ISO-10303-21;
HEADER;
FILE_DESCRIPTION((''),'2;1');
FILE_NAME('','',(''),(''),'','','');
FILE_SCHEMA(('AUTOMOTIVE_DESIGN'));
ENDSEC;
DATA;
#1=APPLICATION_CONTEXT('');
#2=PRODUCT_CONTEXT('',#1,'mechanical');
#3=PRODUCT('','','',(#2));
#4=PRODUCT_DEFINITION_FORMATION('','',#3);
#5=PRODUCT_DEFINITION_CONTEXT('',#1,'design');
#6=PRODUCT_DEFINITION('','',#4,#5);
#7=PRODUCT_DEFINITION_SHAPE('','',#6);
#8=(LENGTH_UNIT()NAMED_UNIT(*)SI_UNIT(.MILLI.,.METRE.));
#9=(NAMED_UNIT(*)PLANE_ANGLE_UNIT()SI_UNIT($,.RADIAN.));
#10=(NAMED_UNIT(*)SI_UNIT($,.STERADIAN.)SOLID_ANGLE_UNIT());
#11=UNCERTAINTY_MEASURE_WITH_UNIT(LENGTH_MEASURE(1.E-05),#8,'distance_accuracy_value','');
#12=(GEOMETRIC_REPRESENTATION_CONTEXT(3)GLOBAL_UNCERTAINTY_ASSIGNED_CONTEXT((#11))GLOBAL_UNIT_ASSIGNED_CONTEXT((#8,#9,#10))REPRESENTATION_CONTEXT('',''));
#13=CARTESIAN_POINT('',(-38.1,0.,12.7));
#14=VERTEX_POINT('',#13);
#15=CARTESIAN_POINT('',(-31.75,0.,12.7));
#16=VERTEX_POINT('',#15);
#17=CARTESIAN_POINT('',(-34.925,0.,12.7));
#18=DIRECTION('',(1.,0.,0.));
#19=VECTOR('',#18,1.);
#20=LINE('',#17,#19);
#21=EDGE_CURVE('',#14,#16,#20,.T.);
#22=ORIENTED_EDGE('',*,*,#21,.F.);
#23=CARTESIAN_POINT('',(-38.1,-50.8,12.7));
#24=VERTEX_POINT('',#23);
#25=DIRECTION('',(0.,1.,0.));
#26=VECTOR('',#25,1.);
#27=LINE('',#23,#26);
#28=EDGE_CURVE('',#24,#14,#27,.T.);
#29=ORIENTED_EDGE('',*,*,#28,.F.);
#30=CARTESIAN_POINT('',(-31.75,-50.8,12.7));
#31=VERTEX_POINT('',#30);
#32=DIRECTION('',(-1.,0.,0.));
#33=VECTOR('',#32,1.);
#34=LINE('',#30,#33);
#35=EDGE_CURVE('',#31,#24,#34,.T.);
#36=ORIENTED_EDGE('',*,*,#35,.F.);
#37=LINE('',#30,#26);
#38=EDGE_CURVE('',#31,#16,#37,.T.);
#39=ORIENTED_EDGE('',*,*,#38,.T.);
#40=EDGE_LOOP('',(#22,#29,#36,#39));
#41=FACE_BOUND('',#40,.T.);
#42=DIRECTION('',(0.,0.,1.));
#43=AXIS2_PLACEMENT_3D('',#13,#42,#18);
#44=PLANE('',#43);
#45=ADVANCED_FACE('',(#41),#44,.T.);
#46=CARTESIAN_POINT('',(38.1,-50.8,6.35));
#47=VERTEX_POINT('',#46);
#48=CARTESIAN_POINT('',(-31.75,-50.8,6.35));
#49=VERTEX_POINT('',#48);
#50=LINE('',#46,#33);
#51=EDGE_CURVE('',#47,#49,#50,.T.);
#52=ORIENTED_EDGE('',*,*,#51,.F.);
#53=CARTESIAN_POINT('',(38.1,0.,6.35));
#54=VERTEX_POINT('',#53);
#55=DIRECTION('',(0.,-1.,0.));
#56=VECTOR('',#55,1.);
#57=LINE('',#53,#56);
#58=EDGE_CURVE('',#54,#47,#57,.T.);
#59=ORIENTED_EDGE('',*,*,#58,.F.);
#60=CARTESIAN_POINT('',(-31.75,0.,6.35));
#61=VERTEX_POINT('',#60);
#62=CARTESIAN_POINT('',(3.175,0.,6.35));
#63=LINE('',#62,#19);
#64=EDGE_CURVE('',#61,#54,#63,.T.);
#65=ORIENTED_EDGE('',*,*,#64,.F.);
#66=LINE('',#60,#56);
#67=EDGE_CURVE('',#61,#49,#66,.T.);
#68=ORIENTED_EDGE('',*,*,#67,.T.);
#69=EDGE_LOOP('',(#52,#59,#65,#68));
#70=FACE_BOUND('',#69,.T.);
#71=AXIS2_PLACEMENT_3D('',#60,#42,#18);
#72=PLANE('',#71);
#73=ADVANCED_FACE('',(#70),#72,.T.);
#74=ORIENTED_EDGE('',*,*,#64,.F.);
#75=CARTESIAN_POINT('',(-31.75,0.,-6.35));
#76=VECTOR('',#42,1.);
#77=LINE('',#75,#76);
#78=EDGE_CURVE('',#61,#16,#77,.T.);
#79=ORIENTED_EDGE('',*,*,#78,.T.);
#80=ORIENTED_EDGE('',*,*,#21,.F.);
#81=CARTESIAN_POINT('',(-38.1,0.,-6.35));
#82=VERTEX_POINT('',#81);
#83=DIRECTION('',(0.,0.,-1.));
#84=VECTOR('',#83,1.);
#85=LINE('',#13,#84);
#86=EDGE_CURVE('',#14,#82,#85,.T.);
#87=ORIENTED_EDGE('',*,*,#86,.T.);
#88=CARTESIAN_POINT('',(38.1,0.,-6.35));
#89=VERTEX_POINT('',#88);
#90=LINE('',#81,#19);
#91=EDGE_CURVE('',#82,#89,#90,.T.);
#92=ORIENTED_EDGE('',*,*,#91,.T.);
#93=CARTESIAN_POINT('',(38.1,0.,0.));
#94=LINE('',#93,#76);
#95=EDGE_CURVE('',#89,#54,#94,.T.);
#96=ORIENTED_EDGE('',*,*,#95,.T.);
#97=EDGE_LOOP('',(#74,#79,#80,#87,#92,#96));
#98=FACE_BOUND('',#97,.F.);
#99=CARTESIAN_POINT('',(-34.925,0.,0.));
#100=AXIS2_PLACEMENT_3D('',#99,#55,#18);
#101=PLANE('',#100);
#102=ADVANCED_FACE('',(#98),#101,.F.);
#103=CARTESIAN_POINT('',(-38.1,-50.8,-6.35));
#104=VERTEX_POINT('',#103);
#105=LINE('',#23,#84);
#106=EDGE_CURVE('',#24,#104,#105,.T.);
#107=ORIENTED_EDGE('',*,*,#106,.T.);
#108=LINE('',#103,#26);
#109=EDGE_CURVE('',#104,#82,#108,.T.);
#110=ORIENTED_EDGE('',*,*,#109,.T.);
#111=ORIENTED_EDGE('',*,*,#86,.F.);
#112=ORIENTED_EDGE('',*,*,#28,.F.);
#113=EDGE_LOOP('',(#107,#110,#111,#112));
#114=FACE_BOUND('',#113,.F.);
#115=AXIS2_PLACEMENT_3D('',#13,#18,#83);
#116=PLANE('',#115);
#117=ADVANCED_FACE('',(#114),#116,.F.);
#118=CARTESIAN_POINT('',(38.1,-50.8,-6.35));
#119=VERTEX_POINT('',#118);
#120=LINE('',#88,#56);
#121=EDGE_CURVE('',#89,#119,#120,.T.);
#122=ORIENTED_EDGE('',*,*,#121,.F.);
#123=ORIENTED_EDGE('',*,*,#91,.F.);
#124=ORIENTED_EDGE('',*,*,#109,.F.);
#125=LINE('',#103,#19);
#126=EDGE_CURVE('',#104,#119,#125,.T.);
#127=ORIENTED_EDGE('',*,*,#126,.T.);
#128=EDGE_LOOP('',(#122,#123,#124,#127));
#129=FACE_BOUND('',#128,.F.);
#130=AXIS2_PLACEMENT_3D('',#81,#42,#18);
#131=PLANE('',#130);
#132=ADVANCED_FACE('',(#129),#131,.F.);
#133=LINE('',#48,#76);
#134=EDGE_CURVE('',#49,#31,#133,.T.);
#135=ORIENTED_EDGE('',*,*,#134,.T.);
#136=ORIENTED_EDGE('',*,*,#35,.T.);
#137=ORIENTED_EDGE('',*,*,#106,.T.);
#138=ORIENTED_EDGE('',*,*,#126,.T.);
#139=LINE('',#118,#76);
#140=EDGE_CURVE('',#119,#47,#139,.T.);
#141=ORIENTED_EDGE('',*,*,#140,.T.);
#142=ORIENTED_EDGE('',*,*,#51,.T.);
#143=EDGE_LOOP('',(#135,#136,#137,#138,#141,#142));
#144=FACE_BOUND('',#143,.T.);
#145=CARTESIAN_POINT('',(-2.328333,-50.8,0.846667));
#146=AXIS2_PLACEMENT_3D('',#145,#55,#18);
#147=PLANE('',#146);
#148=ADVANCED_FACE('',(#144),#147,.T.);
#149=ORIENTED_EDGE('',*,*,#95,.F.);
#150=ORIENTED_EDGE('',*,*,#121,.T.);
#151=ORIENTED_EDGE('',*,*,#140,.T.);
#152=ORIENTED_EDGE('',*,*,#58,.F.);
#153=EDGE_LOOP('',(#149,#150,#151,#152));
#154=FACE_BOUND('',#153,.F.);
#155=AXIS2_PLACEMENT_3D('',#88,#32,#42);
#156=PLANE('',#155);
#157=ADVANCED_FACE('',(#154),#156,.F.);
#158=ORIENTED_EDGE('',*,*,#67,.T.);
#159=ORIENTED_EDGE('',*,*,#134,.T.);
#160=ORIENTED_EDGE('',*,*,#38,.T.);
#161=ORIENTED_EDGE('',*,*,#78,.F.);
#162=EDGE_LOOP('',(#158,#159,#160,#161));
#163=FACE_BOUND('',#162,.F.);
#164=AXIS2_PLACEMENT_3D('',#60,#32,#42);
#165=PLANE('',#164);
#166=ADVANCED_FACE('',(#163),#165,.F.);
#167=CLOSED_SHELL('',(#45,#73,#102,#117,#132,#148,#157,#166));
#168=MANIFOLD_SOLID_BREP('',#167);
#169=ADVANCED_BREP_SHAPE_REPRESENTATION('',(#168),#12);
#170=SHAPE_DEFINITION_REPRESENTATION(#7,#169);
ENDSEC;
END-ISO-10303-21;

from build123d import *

# Parameters (mm, degrees)
F0_W     = 6.35
F0_H     = 12.7
F0_H_2   = 6.35
F0_W_2   = 69.85
F1_DEPTH = 25.4
F2_DEPTH = 25.4


with BuildPart() as f1:
    # F0 (on Front) → F1 (new body)
    with BuildSketch(Plane.XZ):
        with Locations((-34.925, 0)):
            Rectangle(F0_W, F0_H)
        with Locations((-34.925, 9.525)):
            Rectangle(F0_W, F0_H_2)
        with Locations((3.175, 0)):
            Rectangle(F0_W_2, F0_H)
    extrude(amount=F1_DEPTH)

    # F0 (on Front) + F1_face (on face) → F2 (join)
    with BuildSketch(Plane.XZ):
        with Locations((-34.925, 9.525)):
            Rectangle(F0_W, F0_H_2)
        with Locations((-34.925, 0)):
            Rectangle(F0_W, F0_H)
        with Locations((3.175, 0)):
            Rectangle(F0_W_2, F0_H)
    with BuildSketch(Plane(origin=(-1.397, -25.4, 0.381), x_dir=(1, 0, 0), z_dir=(0, -1, 0))):
        Polygon((-36.703, 12.319), (-36.703, -6.731), (39.497, -6.731), (39.497, 5.969), (-30.353, 5.969), (-30.353, 12.319), align=None)
    extrude(amount=F2_DEPTH)


solid = f1.part
